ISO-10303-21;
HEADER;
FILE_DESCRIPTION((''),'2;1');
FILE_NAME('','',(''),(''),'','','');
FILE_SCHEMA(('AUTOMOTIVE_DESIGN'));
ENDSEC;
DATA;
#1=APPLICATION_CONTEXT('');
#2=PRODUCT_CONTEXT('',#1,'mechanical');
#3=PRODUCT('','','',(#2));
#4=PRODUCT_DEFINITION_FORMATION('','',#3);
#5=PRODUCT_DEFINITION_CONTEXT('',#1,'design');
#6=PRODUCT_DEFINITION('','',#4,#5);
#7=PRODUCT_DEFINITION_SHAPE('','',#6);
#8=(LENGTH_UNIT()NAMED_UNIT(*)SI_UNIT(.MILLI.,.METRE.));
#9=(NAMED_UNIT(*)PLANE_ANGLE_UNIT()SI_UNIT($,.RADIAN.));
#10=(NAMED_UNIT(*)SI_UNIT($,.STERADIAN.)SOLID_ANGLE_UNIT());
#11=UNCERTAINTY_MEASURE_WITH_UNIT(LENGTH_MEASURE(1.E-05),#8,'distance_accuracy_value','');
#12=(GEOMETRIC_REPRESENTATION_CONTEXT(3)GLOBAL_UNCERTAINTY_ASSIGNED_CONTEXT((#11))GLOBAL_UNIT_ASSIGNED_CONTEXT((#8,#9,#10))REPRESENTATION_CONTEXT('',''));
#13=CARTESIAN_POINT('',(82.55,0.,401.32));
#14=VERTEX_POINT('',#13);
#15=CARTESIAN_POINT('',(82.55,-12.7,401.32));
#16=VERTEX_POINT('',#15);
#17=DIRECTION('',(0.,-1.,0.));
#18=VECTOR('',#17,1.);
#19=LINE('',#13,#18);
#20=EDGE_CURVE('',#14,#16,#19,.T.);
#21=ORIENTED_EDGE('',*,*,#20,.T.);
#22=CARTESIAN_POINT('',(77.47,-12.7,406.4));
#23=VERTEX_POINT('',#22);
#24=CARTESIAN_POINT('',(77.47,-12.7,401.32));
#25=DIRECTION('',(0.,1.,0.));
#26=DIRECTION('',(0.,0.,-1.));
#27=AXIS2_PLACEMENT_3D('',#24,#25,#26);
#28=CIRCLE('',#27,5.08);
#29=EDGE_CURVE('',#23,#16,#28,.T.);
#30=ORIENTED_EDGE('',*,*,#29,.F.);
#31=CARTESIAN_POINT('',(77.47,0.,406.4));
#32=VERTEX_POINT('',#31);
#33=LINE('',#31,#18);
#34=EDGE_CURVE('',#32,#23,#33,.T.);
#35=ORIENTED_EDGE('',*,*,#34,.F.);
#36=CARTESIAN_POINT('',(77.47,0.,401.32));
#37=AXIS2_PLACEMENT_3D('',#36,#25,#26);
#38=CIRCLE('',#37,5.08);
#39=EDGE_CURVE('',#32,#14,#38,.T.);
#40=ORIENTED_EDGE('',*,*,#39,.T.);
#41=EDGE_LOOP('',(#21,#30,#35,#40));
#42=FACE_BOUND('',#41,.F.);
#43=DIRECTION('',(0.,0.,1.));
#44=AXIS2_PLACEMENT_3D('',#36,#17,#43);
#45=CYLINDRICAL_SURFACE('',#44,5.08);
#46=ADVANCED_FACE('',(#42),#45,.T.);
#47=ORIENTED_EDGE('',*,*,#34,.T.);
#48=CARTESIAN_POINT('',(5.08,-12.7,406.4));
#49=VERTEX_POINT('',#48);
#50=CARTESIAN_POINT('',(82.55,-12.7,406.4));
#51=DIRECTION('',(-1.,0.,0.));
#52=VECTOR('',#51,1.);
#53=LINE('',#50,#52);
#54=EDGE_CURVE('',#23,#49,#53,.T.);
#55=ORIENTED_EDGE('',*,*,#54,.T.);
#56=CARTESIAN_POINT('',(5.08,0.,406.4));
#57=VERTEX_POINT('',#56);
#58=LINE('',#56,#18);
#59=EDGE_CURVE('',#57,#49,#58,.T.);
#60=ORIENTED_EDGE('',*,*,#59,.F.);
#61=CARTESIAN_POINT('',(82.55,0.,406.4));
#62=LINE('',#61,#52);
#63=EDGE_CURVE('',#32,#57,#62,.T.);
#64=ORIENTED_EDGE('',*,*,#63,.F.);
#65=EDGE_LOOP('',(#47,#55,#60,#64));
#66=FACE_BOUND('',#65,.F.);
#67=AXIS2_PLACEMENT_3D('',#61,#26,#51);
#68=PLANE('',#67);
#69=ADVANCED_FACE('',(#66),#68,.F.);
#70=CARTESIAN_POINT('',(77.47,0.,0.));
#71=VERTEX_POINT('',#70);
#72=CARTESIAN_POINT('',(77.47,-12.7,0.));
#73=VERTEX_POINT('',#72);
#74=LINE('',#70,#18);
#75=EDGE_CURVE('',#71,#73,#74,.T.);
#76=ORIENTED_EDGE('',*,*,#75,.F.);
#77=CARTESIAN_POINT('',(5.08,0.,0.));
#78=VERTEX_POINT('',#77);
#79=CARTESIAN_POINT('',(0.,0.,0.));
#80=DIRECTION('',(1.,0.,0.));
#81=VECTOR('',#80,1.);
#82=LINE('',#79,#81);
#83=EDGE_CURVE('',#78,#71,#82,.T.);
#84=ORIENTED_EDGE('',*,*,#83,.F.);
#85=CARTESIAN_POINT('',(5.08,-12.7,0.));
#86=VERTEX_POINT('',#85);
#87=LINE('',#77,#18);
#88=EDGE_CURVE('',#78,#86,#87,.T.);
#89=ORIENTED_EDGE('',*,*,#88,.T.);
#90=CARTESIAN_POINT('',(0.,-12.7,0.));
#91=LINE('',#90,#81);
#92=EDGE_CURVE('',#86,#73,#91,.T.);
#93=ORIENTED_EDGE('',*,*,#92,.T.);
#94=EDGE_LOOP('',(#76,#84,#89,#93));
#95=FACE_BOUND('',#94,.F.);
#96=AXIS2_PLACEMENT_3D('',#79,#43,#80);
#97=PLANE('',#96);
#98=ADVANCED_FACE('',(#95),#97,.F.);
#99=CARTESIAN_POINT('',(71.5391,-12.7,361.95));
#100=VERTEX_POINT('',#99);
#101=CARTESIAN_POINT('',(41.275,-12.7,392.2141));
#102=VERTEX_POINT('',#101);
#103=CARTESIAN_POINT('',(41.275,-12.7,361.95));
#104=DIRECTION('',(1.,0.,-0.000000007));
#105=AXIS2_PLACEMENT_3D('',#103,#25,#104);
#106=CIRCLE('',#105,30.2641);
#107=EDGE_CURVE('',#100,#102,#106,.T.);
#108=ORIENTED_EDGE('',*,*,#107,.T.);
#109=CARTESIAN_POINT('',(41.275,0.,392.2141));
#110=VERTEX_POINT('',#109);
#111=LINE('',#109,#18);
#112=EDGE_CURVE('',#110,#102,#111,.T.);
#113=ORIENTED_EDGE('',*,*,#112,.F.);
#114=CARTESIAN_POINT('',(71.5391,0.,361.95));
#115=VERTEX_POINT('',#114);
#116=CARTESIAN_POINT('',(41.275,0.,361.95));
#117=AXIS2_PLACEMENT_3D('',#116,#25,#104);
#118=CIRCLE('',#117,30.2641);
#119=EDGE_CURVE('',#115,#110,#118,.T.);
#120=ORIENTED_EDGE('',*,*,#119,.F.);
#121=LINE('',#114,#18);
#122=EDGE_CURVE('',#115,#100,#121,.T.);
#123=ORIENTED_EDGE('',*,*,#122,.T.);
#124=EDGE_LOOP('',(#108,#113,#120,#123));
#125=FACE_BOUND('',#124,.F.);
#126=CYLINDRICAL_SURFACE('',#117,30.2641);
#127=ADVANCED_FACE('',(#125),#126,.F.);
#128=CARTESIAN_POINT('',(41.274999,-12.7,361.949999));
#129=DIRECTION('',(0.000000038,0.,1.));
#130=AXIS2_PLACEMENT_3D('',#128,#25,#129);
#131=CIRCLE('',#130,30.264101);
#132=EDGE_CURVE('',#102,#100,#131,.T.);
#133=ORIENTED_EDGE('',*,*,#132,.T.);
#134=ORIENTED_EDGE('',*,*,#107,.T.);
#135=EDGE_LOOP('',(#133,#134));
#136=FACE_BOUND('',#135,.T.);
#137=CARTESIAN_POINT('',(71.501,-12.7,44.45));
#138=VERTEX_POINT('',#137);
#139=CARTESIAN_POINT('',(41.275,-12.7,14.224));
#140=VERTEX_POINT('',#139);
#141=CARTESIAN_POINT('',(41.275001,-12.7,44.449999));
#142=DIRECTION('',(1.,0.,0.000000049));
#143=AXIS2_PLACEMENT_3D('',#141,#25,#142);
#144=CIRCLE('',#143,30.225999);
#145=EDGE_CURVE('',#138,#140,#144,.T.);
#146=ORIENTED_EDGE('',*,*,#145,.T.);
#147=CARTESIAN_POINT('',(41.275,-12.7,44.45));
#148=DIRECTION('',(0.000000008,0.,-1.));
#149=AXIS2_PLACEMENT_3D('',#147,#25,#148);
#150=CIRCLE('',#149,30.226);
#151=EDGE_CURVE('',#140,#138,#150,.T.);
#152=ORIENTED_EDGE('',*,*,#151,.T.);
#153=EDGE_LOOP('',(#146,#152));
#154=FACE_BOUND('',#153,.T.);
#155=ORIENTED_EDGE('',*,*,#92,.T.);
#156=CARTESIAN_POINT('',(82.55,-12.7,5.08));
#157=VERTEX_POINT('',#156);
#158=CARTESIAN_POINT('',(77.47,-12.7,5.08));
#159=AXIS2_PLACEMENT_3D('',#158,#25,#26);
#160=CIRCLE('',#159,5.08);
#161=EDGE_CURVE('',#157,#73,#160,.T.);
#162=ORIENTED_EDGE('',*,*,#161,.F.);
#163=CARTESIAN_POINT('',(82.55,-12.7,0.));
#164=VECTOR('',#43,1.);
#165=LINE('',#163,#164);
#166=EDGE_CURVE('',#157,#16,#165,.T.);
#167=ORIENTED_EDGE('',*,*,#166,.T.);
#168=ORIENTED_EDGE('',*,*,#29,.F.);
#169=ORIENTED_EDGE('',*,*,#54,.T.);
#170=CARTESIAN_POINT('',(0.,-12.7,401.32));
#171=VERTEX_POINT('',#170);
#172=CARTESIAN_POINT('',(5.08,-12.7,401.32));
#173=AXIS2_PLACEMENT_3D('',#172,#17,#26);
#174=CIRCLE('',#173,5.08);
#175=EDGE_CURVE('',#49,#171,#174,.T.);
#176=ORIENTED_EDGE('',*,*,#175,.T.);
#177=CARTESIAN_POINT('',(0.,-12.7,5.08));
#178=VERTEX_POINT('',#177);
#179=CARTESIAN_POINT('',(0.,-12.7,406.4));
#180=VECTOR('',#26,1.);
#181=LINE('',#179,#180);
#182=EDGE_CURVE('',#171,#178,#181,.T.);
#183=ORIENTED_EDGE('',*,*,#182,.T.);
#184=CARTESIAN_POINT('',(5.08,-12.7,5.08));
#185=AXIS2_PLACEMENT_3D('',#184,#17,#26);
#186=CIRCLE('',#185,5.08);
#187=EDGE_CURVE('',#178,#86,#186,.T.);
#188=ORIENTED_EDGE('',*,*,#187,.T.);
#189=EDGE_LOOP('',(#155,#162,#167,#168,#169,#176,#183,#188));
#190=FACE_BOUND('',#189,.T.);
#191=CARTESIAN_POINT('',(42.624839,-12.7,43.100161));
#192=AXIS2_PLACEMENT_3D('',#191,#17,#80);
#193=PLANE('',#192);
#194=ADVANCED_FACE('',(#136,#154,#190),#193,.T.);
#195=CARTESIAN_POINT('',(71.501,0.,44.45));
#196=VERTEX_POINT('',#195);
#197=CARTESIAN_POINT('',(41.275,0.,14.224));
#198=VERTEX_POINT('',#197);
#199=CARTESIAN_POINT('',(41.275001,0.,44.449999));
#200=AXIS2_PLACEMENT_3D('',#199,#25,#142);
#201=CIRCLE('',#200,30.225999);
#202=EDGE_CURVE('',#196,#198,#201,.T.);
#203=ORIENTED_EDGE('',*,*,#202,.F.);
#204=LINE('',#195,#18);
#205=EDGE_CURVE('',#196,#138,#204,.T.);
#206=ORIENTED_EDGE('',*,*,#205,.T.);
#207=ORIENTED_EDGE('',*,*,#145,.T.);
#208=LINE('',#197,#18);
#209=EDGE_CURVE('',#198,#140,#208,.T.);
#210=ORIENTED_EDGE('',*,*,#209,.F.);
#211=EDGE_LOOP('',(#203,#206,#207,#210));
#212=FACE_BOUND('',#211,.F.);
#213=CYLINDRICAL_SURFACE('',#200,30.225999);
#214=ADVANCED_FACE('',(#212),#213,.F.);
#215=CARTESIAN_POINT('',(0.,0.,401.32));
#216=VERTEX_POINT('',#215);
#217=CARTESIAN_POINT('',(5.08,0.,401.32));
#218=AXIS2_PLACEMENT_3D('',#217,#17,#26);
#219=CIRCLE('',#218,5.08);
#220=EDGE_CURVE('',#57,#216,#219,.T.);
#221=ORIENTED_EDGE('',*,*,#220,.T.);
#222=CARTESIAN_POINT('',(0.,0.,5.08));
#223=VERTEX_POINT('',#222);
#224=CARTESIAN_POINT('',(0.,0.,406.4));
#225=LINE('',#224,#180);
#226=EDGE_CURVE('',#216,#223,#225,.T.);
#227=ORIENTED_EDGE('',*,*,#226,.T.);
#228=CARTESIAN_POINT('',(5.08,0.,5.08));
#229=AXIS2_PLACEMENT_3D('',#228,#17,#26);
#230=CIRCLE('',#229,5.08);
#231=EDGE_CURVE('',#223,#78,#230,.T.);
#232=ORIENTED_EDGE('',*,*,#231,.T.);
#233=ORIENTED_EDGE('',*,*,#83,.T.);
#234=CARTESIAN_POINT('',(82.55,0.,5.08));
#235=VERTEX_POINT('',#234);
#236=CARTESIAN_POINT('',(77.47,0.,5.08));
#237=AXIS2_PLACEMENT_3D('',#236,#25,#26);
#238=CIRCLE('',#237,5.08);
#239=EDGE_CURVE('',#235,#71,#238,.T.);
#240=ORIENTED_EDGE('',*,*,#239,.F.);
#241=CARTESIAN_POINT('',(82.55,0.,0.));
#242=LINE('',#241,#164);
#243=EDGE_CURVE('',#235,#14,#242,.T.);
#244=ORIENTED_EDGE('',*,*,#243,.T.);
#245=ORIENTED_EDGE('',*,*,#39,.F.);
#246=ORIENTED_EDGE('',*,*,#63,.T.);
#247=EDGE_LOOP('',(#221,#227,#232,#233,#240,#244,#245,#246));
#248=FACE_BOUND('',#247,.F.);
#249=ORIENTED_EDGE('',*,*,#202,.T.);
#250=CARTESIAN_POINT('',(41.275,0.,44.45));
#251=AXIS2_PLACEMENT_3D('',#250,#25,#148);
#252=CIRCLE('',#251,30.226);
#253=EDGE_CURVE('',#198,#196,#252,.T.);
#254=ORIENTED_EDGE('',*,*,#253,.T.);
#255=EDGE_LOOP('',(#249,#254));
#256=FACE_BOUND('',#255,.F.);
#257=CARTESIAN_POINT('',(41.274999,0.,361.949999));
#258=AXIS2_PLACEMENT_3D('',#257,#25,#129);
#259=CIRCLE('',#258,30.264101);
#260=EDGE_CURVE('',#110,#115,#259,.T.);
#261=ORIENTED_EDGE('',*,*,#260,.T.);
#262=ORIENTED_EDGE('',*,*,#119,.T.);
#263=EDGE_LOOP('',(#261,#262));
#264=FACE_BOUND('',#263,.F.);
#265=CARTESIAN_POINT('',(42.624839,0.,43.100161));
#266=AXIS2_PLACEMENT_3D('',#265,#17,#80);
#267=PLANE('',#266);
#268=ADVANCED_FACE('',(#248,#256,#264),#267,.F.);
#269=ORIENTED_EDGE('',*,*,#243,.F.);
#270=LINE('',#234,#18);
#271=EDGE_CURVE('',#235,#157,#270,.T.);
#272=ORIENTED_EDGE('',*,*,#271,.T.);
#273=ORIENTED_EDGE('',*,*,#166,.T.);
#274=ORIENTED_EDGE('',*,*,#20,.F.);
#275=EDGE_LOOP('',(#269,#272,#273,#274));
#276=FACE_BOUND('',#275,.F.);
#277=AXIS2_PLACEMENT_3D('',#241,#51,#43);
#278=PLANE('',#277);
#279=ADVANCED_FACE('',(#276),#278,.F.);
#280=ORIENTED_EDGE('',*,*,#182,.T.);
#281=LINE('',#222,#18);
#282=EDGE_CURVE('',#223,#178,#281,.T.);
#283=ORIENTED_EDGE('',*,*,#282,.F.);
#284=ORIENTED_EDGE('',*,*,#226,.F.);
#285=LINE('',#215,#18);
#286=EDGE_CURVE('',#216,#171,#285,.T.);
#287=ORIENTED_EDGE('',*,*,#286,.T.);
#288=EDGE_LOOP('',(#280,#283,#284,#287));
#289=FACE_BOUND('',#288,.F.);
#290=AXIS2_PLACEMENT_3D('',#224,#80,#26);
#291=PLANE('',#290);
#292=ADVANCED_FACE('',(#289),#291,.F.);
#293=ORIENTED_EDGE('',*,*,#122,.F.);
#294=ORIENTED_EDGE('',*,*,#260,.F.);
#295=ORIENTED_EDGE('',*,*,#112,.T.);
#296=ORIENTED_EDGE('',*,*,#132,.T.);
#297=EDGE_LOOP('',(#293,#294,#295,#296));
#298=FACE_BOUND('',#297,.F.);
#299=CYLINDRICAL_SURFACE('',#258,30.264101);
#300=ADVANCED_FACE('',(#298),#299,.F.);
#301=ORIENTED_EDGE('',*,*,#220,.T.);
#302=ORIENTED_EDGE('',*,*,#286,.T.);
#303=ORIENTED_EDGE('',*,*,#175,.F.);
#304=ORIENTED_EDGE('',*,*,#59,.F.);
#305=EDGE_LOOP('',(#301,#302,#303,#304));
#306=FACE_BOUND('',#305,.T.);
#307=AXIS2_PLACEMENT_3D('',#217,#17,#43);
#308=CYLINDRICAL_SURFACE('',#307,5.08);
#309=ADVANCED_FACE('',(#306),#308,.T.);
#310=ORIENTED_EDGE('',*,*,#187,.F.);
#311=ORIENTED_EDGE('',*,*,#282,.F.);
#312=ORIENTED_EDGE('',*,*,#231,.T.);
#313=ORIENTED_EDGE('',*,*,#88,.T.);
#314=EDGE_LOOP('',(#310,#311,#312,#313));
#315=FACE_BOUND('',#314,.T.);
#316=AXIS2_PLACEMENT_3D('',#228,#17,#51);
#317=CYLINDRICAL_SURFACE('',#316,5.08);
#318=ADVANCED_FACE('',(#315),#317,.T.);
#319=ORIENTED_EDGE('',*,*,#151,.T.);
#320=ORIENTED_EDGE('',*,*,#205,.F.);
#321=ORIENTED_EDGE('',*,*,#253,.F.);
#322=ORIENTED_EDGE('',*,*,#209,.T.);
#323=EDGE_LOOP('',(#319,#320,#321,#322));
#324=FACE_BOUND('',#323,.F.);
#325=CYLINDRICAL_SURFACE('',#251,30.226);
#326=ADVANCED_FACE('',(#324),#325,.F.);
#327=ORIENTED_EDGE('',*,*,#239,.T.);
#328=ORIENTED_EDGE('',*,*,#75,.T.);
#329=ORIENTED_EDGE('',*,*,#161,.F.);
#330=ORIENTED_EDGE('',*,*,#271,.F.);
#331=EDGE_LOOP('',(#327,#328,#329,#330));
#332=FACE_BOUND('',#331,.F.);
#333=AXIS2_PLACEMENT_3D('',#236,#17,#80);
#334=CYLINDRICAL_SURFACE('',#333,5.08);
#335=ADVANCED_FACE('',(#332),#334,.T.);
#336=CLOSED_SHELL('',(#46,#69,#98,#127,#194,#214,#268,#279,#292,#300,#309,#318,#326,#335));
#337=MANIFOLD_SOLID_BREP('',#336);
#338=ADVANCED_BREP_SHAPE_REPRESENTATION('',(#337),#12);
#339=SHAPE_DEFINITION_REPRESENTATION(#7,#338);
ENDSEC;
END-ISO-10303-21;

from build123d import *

# Parameters (mm, degrees)
F1_DEPTH = 12.7
F2_R     = 5.08
F3_R     = 5.08


with BuildPart() as f1:
    # F0 (on Front) → F1 (new body)
    with BuildSketch(Plane.XZ):
        with BuildLine():
            ThreePointArc((71.501, 44.45), (19.90199, 65.82301), (41.275, 14.224))
            ThreePointArc((41.275, 14.224), (62.64801, 23.07699), (71.501, 44.45))
        make_face()
        with BuildLine():
            ThreePointArc((71.5391, 361.95), (62.67495, 383.34995), (41.275, 392.2141))
            ThreePointArc((41.275, 392.2141), (19.87505, 340.55005), (71.5391, 361.95))
        make_face()
        Polygon((0, 406.4), (0, 0), (41.275, 0), (82.55, 0), (82.55, 406.4), (41.275, 406.4), align=None)
        with BuildLine():
            ThreePointArc((71.501, 44.45), (62.64801, 23.07699), (41.275, 14.224))
            ThreePointArc((41.275, 14.224), (19.90199, 65.82301), (71.501, 44.45))
        make_face(mode=Mode.SUBTRACT)
        with BuildLine():
            ThreePointArc((71.5391, 361.95), (19.87505, 340.55005), (41.275, 392.2141))
            ThreePointArc((41.275, 392.2141), (62.67495, 383.34995), (71.5391, 361.95))
        make_face(mode=Mode.SUBTRACT)
    extrude(amount=F1_DEPTH)

    # F2
    f2_edges = [f1.edges().sort_by_distance(p)[0] for p in [
        (82.55, -6.35, 406.4),
    ]]
    fillet(f2_edges, radius=F2_R)

    # F3
    f3_edges = [f1.edges().sort_by_distance(p)[0] for p in [
        (0, -6.35, 406.4),
        (82.55, -6.35, 0),
        (0, -6.35, 0),
    ]]
    fillet(f3_edges, radius=F3_R)


solid = f1.part
